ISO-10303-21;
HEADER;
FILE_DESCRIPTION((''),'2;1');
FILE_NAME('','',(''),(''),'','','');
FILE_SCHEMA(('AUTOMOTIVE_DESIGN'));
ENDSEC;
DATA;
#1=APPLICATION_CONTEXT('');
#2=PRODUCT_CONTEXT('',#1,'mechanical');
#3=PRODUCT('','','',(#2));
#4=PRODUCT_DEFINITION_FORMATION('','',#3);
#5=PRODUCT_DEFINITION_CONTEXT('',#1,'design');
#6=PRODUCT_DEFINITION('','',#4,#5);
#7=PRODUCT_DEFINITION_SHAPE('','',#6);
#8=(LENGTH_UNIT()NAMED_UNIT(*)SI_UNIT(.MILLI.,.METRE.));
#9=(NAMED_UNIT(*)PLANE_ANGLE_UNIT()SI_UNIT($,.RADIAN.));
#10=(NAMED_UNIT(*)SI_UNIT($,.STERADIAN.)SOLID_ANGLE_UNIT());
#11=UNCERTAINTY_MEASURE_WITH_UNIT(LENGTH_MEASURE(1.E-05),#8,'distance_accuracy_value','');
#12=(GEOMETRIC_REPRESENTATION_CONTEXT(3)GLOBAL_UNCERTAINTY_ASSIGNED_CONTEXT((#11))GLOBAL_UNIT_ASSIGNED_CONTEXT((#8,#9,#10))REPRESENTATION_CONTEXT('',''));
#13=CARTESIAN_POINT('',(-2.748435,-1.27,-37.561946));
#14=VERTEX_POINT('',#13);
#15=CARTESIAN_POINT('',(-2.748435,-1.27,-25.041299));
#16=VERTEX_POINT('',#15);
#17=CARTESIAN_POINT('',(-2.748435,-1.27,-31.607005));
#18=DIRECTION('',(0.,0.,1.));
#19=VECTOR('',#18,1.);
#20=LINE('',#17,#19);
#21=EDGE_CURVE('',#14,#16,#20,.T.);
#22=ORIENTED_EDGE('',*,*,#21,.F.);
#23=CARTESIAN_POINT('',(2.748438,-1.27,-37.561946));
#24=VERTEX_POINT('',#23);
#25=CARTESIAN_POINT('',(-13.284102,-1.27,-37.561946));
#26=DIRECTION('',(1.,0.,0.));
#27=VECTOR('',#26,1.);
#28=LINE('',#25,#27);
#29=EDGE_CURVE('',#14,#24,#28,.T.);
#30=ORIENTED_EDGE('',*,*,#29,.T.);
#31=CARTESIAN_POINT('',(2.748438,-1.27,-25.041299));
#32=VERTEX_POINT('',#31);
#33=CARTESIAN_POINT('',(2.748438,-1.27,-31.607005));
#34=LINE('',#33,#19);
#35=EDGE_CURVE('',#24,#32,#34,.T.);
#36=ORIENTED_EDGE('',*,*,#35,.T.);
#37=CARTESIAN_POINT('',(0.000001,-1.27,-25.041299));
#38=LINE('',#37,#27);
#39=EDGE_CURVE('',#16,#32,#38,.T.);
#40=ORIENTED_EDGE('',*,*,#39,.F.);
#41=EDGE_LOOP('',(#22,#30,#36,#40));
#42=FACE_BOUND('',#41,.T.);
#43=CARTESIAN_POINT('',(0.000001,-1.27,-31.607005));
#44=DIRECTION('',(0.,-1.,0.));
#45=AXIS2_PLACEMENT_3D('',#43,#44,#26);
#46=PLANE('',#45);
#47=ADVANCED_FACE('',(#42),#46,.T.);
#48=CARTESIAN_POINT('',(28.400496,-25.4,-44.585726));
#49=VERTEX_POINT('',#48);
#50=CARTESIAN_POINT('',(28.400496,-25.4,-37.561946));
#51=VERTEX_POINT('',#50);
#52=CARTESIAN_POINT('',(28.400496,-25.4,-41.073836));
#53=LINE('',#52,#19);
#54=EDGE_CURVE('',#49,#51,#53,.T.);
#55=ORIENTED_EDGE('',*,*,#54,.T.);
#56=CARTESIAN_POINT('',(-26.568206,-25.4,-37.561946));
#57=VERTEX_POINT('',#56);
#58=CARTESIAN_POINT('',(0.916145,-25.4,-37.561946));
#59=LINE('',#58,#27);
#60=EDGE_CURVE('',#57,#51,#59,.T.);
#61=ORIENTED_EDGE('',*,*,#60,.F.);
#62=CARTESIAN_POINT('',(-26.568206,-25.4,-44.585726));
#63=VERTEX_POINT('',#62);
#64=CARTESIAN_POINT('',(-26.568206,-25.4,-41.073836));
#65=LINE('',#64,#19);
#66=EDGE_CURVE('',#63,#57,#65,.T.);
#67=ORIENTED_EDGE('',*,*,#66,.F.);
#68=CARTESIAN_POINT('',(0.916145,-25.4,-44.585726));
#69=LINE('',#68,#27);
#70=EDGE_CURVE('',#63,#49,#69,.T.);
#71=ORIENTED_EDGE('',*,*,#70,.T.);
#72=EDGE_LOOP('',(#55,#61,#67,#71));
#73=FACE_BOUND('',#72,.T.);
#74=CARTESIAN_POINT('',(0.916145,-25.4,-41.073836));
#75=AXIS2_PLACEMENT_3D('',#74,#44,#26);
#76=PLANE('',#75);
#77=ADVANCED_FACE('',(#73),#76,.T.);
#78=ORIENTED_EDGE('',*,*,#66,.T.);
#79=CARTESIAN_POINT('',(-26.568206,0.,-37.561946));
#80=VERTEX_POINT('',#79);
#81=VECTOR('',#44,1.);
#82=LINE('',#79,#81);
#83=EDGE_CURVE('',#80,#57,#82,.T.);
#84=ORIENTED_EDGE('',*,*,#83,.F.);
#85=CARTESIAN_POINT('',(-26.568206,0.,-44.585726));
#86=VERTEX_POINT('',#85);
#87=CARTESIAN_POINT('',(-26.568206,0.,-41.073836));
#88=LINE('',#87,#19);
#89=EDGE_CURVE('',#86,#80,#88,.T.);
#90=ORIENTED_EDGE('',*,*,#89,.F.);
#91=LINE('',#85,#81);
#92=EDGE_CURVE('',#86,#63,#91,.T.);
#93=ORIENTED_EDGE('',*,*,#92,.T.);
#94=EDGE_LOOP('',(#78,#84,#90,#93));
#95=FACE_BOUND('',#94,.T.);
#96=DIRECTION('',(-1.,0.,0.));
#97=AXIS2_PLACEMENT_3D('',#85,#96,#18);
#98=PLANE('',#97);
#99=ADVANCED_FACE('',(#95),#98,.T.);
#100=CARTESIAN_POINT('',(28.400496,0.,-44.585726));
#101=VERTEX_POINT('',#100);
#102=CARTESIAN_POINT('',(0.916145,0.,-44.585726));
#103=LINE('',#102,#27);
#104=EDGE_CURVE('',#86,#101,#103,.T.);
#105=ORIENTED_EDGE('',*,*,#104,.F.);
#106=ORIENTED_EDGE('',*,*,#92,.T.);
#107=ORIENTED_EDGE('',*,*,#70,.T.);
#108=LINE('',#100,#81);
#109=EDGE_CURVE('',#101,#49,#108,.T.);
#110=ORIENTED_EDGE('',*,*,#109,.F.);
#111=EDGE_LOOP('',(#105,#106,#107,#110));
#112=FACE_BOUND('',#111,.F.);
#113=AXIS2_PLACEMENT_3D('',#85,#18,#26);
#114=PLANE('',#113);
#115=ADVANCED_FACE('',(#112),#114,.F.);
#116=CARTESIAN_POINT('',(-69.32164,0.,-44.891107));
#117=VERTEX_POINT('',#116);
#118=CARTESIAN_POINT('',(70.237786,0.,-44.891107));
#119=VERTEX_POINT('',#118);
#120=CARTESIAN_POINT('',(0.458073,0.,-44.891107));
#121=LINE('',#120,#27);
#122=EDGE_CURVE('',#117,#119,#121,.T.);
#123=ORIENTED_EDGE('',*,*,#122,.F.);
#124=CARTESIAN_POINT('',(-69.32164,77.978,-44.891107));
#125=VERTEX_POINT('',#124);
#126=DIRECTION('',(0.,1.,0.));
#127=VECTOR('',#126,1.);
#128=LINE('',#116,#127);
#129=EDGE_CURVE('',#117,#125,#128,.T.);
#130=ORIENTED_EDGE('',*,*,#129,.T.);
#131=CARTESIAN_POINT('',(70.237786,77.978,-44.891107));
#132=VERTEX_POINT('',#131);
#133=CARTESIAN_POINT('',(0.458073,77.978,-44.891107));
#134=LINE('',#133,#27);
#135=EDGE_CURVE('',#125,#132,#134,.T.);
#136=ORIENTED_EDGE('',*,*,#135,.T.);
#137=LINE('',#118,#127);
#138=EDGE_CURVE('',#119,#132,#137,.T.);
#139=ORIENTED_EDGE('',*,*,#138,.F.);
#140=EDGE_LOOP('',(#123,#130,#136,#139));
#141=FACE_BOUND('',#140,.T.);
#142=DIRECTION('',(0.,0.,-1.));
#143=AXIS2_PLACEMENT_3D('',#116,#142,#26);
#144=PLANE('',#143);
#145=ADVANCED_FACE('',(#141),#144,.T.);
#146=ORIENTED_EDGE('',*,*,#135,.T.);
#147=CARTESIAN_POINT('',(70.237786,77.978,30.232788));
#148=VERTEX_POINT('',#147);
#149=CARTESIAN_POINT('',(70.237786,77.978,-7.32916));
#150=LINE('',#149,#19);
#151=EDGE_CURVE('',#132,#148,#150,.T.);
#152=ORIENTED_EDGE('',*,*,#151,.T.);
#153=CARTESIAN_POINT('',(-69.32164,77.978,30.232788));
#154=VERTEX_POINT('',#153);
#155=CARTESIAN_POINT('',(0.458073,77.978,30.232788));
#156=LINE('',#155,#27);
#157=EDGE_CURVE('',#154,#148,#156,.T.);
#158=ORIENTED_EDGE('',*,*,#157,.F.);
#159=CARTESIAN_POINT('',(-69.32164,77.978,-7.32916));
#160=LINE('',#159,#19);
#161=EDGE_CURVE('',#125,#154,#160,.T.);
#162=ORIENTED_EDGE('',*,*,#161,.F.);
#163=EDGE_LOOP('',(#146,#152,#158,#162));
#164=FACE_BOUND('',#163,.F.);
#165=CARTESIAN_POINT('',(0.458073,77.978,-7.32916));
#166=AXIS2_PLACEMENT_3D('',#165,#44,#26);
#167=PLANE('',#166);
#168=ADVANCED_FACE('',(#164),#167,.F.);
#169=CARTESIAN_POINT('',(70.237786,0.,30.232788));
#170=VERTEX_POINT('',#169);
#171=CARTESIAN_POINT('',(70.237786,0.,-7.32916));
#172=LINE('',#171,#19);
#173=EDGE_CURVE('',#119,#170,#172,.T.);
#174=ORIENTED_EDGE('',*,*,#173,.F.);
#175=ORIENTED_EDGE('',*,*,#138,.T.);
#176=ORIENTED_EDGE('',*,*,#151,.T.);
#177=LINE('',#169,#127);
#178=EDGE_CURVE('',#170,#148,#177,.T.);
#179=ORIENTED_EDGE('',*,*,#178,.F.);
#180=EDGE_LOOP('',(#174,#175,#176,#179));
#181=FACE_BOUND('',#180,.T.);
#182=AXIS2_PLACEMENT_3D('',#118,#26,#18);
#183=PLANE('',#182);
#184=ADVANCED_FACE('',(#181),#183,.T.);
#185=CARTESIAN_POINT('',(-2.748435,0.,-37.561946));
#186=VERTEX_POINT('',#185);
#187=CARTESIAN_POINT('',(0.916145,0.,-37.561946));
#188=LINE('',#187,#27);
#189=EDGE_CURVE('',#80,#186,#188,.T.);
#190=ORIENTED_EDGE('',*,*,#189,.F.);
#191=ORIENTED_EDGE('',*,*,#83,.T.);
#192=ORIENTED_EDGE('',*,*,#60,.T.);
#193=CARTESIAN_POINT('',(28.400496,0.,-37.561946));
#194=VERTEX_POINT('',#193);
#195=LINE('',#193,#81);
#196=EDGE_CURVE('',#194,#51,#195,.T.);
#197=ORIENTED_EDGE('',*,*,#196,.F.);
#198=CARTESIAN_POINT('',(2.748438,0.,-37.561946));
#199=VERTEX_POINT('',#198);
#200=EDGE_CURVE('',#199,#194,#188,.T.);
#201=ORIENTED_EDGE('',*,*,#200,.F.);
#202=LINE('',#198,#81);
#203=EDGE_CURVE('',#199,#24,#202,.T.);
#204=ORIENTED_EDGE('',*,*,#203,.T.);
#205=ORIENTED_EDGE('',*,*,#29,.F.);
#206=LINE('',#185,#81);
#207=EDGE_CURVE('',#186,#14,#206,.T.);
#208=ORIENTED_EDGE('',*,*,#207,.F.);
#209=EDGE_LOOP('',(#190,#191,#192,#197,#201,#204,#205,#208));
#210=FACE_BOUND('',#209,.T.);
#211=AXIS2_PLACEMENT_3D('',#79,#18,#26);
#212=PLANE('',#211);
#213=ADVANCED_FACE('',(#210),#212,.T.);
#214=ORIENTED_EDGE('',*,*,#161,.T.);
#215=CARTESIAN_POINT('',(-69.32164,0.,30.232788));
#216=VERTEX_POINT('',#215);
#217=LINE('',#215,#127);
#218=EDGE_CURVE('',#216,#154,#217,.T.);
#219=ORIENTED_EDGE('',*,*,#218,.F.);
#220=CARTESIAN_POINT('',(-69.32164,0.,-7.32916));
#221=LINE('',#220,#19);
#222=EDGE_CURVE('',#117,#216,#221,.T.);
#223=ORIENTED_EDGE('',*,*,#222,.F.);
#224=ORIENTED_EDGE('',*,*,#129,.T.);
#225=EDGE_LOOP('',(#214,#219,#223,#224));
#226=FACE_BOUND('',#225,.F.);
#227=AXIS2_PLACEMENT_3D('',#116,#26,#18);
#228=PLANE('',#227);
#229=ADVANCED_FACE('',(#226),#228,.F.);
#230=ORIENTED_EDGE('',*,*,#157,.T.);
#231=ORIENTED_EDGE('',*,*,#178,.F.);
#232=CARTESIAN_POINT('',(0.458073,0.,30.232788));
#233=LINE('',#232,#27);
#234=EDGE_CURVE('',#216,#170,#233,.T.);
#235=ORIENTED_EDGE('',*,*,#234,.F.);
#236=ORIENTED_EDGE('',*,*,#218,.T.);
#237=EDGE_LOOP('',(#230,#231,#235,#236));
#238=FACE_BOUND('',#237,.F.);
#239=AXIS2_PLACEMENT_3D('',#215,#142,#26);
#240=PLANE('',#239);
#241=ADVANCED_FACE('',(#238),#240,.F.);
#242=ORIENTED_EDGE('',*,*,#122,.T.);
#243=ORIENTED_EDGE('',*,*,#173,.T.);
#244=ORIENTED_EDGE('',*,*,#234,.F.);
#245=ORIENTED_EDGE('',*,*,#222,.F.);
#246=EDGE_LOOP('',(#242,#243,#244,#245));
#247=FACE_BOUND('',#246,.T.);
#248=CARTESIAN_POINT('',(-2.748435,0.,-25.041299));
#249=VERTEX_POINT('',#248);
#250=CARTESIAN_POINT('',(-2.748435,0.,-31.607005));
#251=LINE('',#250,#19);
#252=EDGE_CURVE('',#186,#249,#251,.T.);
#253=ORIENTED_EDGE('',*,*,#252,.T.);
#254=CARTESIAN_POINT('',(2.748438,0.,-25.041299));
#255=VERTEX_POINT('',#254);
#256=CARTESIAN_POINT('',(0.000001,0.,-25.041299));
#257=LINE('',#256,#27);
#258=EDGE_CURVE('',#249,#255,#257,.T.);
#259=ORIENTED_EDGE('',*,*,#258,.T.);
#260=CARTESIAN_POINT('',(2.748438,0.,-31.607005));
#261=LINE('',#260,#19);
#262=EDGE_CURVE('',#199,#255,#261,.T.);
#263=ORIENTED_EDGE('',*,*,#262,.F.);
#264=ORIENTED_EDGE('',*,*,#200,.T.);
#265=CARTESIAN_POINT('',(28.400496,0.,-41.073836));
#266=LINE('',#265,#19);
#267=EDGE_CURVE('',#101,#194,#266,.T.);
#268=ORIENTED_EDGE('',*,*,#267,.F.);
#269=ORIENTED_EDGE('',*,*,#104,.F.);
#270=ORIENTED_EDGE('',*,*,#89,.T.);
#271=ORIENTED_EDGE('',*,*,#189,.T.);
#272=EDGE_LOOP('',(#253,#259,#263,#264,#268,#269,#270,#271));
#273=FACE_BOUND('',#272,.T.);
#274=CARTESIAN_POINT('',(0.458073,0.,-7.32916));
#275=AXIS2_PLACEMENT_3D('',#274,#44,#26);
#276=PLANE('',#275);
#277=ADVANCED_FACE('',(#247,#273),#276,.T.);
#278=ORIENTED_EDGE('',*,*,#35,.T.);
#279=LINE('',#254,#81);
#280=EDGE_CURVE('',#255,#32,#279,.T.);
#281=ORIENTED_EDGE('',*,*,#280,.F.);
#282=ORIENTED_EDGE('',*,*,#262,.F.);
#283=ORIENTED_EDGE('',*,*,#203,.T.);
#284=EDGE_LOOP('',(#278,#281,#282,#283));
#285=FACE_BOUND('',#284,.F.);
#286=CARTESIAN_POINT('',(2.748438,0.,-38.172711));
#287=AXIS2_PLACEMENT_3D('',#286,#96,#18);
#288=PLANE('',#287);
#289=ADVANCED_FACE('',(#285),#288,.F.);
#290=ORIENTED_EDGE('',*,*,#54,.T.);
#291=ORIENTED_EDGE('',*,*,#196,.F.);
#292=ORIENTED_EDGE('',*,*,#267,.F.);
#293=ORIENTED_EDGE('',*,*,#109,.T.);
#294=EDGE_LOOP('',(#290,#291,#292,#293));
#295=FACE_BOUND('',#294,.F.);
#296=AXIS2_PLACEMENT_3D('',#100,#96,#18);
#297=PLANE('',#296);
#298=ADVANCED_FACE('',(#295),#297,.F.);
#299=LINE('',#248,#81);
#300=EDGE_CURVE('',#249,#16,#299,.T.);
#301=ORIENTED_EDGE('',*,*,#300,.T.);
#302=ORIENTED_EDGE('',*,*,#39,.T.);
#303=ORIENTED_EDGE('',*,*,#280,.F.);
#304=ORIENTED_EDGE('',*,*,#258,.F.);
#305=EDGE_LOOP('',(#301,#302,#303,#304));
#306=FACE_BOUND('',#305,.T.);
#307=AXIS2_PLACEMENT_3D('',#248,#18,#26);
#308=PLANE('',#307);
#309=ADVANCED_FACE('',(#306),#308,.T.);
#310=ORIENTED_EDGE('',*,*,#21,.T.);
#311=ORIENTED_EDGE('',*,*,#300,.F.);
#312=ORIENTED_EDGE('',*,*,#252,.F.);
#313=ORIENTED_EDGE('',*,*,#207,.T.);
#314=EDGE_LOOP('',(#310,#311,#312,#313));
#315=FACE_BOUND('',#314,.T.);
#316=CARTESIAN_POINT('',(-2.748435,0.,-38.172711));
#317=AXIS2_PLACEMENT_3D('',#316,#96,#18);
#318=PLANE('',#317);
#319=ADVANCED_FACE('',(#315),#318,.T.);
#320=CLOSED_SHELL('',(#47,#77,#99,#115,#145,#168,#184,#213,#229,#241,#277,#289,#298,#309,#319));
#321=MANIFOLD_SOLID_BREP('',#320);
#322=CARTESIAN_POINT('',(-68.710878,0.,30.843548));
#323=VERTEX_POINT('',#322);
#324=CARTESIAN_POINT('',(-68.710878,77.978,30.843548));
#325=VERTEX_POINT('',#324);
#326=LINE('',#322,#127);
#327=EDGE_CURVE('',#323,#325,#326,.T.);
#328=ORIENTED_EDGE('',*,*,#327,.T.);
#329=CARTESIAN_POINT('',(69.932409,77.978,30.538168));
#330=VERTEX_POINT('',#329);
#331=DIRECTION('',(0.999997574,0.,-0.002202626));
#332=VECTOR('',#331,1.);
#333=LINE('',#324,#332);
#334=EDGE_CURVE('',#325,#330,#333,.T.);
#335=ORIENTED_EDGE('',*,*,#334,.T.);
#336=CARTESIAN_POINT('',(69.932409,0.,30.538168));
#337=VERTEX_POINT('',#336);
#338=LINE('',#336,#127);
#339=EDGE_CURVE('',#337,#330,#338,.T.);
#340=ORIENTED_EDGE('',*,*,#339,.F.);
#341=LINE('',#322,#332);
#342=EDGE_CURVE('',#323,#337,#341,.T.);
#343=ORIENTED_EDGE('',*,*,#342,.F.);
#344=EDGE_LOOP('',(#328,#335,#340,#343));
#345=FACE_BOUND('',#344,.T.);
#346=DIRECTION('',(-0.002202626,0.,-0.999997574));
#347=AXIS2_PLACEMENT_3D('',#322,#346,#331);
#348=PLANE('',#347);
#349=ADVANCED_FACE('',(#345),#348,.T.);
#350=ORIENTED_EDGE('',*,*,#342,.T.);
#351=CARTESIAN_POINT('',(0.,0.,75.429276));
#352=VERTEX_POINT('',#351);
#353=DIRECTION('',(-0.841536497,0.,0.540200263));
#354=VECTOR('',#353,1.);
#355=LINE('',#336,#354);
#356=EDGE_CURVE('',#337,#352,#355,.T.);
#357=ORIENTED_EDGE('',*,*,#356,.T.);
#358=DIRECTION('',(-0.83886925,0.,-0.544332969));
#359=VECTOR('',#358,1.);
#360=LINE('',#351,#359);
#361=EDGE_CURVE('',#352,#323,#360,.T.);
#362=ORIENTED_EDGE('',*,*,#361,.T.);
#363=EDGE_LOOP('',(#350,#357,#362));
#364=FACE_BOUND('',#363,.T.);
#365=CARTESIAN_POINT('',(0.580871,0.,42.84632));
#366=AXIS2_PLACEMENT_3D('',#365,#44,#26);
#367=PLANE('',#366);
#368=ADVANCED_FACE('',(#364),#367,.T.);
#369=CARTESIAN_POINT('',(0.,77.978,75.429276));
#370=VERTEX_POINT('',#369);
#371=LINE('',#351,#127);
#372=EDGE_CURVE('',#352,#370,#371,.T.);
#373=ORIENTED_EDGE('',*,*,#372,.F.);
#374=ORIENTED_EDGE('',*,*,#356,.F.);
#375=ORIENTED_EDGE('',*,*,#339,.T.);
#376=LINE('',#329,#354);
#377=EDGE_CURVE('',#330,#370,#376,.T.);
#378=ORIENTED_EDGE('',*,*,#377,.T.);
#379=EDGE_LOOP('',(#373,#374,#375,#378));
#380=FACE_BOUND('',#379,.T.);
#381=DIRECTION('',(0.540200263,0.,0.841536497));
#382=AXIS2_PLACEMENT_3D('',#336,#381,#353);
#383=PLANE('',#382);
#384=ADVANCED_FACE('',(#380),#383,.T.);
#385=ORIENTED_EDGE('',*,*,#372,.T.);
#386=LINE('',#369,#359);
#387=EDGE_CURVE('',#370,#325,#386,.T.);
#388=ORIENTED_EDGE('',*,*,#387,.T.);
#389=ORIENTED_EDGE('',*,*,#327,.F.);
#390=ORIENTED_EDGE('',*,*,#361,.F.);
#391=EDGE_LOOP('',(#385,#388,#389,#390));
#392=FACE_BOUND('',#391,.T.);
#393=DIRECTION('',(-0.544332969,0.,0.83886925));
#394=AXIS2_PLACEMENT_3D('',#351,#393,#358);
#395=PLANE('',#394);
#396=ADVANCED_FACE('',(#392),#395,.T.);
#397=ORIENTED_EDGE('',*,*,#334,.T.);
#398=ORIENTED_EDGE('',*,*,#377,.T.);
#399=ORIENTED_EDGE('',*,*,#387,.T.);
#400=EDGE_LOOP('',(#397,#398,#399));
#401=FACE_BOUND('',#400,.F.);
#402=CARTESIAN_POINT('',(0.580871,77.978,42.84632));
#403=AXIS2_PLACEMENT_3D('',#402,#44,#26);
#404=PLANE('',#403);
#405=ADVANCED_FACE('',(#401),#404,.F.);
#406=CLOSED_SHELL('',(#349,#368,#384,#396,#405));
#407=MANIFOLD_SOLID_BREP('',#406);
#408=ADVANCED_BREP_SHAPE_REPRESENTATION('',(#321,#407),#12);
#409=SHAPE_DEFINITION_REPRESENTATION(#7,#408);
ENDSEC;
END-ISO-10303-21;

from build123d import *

# Parameters (mm, degrees)
F0_W     = 139.559426
F0_H     = 75.123895
F1_DEPTH = 77.978
F3_DEPTH = 77.978
F5_W     = 54.968702
F5_H     = 7.023781
F6_DEPTH = 25.4
F7_W     = 5.496873
F7_H     = 13.131412
F8_DEPTH = 1.27


with BuildPart() as f1:
    # F0 (on Front) → F1 (new body)
    with BuildSketch(Plane.XZ):
        with Locations((0.458073, -7.32916)):
            Rectangle(F0_W, F0_H)
    extrude(amount=-F1_DEPTH)

    # F5 (on face) → F6 (join)
    with BuildSketch(Plane.XZ):
        with Locations((0.916145, -41.073836)):
            Rectangle(F5_W, F5_H)
    extrude(amount=F6_DEPTH)

    # F7 (on face) → F8 (join)
    with BuildSketch(Plane.XZ):
        with Locations((1e-06, -31.607005)):
            Rectangle(F7_W, F7_H)
    extrude(amount=F8_DEPTH)


with BuildPart() as f3:
    # F2 (on Front) → F3 (new body)
    with BuildSketch(Plane.XZ):
        Polygon((0, 75.429276), (-68.710878, 30.843548), (69.932409, 30.538168), align=None)
    extrude(amount=-F3_DEPTH)


solid = Compound([f1.part, f3.part])
